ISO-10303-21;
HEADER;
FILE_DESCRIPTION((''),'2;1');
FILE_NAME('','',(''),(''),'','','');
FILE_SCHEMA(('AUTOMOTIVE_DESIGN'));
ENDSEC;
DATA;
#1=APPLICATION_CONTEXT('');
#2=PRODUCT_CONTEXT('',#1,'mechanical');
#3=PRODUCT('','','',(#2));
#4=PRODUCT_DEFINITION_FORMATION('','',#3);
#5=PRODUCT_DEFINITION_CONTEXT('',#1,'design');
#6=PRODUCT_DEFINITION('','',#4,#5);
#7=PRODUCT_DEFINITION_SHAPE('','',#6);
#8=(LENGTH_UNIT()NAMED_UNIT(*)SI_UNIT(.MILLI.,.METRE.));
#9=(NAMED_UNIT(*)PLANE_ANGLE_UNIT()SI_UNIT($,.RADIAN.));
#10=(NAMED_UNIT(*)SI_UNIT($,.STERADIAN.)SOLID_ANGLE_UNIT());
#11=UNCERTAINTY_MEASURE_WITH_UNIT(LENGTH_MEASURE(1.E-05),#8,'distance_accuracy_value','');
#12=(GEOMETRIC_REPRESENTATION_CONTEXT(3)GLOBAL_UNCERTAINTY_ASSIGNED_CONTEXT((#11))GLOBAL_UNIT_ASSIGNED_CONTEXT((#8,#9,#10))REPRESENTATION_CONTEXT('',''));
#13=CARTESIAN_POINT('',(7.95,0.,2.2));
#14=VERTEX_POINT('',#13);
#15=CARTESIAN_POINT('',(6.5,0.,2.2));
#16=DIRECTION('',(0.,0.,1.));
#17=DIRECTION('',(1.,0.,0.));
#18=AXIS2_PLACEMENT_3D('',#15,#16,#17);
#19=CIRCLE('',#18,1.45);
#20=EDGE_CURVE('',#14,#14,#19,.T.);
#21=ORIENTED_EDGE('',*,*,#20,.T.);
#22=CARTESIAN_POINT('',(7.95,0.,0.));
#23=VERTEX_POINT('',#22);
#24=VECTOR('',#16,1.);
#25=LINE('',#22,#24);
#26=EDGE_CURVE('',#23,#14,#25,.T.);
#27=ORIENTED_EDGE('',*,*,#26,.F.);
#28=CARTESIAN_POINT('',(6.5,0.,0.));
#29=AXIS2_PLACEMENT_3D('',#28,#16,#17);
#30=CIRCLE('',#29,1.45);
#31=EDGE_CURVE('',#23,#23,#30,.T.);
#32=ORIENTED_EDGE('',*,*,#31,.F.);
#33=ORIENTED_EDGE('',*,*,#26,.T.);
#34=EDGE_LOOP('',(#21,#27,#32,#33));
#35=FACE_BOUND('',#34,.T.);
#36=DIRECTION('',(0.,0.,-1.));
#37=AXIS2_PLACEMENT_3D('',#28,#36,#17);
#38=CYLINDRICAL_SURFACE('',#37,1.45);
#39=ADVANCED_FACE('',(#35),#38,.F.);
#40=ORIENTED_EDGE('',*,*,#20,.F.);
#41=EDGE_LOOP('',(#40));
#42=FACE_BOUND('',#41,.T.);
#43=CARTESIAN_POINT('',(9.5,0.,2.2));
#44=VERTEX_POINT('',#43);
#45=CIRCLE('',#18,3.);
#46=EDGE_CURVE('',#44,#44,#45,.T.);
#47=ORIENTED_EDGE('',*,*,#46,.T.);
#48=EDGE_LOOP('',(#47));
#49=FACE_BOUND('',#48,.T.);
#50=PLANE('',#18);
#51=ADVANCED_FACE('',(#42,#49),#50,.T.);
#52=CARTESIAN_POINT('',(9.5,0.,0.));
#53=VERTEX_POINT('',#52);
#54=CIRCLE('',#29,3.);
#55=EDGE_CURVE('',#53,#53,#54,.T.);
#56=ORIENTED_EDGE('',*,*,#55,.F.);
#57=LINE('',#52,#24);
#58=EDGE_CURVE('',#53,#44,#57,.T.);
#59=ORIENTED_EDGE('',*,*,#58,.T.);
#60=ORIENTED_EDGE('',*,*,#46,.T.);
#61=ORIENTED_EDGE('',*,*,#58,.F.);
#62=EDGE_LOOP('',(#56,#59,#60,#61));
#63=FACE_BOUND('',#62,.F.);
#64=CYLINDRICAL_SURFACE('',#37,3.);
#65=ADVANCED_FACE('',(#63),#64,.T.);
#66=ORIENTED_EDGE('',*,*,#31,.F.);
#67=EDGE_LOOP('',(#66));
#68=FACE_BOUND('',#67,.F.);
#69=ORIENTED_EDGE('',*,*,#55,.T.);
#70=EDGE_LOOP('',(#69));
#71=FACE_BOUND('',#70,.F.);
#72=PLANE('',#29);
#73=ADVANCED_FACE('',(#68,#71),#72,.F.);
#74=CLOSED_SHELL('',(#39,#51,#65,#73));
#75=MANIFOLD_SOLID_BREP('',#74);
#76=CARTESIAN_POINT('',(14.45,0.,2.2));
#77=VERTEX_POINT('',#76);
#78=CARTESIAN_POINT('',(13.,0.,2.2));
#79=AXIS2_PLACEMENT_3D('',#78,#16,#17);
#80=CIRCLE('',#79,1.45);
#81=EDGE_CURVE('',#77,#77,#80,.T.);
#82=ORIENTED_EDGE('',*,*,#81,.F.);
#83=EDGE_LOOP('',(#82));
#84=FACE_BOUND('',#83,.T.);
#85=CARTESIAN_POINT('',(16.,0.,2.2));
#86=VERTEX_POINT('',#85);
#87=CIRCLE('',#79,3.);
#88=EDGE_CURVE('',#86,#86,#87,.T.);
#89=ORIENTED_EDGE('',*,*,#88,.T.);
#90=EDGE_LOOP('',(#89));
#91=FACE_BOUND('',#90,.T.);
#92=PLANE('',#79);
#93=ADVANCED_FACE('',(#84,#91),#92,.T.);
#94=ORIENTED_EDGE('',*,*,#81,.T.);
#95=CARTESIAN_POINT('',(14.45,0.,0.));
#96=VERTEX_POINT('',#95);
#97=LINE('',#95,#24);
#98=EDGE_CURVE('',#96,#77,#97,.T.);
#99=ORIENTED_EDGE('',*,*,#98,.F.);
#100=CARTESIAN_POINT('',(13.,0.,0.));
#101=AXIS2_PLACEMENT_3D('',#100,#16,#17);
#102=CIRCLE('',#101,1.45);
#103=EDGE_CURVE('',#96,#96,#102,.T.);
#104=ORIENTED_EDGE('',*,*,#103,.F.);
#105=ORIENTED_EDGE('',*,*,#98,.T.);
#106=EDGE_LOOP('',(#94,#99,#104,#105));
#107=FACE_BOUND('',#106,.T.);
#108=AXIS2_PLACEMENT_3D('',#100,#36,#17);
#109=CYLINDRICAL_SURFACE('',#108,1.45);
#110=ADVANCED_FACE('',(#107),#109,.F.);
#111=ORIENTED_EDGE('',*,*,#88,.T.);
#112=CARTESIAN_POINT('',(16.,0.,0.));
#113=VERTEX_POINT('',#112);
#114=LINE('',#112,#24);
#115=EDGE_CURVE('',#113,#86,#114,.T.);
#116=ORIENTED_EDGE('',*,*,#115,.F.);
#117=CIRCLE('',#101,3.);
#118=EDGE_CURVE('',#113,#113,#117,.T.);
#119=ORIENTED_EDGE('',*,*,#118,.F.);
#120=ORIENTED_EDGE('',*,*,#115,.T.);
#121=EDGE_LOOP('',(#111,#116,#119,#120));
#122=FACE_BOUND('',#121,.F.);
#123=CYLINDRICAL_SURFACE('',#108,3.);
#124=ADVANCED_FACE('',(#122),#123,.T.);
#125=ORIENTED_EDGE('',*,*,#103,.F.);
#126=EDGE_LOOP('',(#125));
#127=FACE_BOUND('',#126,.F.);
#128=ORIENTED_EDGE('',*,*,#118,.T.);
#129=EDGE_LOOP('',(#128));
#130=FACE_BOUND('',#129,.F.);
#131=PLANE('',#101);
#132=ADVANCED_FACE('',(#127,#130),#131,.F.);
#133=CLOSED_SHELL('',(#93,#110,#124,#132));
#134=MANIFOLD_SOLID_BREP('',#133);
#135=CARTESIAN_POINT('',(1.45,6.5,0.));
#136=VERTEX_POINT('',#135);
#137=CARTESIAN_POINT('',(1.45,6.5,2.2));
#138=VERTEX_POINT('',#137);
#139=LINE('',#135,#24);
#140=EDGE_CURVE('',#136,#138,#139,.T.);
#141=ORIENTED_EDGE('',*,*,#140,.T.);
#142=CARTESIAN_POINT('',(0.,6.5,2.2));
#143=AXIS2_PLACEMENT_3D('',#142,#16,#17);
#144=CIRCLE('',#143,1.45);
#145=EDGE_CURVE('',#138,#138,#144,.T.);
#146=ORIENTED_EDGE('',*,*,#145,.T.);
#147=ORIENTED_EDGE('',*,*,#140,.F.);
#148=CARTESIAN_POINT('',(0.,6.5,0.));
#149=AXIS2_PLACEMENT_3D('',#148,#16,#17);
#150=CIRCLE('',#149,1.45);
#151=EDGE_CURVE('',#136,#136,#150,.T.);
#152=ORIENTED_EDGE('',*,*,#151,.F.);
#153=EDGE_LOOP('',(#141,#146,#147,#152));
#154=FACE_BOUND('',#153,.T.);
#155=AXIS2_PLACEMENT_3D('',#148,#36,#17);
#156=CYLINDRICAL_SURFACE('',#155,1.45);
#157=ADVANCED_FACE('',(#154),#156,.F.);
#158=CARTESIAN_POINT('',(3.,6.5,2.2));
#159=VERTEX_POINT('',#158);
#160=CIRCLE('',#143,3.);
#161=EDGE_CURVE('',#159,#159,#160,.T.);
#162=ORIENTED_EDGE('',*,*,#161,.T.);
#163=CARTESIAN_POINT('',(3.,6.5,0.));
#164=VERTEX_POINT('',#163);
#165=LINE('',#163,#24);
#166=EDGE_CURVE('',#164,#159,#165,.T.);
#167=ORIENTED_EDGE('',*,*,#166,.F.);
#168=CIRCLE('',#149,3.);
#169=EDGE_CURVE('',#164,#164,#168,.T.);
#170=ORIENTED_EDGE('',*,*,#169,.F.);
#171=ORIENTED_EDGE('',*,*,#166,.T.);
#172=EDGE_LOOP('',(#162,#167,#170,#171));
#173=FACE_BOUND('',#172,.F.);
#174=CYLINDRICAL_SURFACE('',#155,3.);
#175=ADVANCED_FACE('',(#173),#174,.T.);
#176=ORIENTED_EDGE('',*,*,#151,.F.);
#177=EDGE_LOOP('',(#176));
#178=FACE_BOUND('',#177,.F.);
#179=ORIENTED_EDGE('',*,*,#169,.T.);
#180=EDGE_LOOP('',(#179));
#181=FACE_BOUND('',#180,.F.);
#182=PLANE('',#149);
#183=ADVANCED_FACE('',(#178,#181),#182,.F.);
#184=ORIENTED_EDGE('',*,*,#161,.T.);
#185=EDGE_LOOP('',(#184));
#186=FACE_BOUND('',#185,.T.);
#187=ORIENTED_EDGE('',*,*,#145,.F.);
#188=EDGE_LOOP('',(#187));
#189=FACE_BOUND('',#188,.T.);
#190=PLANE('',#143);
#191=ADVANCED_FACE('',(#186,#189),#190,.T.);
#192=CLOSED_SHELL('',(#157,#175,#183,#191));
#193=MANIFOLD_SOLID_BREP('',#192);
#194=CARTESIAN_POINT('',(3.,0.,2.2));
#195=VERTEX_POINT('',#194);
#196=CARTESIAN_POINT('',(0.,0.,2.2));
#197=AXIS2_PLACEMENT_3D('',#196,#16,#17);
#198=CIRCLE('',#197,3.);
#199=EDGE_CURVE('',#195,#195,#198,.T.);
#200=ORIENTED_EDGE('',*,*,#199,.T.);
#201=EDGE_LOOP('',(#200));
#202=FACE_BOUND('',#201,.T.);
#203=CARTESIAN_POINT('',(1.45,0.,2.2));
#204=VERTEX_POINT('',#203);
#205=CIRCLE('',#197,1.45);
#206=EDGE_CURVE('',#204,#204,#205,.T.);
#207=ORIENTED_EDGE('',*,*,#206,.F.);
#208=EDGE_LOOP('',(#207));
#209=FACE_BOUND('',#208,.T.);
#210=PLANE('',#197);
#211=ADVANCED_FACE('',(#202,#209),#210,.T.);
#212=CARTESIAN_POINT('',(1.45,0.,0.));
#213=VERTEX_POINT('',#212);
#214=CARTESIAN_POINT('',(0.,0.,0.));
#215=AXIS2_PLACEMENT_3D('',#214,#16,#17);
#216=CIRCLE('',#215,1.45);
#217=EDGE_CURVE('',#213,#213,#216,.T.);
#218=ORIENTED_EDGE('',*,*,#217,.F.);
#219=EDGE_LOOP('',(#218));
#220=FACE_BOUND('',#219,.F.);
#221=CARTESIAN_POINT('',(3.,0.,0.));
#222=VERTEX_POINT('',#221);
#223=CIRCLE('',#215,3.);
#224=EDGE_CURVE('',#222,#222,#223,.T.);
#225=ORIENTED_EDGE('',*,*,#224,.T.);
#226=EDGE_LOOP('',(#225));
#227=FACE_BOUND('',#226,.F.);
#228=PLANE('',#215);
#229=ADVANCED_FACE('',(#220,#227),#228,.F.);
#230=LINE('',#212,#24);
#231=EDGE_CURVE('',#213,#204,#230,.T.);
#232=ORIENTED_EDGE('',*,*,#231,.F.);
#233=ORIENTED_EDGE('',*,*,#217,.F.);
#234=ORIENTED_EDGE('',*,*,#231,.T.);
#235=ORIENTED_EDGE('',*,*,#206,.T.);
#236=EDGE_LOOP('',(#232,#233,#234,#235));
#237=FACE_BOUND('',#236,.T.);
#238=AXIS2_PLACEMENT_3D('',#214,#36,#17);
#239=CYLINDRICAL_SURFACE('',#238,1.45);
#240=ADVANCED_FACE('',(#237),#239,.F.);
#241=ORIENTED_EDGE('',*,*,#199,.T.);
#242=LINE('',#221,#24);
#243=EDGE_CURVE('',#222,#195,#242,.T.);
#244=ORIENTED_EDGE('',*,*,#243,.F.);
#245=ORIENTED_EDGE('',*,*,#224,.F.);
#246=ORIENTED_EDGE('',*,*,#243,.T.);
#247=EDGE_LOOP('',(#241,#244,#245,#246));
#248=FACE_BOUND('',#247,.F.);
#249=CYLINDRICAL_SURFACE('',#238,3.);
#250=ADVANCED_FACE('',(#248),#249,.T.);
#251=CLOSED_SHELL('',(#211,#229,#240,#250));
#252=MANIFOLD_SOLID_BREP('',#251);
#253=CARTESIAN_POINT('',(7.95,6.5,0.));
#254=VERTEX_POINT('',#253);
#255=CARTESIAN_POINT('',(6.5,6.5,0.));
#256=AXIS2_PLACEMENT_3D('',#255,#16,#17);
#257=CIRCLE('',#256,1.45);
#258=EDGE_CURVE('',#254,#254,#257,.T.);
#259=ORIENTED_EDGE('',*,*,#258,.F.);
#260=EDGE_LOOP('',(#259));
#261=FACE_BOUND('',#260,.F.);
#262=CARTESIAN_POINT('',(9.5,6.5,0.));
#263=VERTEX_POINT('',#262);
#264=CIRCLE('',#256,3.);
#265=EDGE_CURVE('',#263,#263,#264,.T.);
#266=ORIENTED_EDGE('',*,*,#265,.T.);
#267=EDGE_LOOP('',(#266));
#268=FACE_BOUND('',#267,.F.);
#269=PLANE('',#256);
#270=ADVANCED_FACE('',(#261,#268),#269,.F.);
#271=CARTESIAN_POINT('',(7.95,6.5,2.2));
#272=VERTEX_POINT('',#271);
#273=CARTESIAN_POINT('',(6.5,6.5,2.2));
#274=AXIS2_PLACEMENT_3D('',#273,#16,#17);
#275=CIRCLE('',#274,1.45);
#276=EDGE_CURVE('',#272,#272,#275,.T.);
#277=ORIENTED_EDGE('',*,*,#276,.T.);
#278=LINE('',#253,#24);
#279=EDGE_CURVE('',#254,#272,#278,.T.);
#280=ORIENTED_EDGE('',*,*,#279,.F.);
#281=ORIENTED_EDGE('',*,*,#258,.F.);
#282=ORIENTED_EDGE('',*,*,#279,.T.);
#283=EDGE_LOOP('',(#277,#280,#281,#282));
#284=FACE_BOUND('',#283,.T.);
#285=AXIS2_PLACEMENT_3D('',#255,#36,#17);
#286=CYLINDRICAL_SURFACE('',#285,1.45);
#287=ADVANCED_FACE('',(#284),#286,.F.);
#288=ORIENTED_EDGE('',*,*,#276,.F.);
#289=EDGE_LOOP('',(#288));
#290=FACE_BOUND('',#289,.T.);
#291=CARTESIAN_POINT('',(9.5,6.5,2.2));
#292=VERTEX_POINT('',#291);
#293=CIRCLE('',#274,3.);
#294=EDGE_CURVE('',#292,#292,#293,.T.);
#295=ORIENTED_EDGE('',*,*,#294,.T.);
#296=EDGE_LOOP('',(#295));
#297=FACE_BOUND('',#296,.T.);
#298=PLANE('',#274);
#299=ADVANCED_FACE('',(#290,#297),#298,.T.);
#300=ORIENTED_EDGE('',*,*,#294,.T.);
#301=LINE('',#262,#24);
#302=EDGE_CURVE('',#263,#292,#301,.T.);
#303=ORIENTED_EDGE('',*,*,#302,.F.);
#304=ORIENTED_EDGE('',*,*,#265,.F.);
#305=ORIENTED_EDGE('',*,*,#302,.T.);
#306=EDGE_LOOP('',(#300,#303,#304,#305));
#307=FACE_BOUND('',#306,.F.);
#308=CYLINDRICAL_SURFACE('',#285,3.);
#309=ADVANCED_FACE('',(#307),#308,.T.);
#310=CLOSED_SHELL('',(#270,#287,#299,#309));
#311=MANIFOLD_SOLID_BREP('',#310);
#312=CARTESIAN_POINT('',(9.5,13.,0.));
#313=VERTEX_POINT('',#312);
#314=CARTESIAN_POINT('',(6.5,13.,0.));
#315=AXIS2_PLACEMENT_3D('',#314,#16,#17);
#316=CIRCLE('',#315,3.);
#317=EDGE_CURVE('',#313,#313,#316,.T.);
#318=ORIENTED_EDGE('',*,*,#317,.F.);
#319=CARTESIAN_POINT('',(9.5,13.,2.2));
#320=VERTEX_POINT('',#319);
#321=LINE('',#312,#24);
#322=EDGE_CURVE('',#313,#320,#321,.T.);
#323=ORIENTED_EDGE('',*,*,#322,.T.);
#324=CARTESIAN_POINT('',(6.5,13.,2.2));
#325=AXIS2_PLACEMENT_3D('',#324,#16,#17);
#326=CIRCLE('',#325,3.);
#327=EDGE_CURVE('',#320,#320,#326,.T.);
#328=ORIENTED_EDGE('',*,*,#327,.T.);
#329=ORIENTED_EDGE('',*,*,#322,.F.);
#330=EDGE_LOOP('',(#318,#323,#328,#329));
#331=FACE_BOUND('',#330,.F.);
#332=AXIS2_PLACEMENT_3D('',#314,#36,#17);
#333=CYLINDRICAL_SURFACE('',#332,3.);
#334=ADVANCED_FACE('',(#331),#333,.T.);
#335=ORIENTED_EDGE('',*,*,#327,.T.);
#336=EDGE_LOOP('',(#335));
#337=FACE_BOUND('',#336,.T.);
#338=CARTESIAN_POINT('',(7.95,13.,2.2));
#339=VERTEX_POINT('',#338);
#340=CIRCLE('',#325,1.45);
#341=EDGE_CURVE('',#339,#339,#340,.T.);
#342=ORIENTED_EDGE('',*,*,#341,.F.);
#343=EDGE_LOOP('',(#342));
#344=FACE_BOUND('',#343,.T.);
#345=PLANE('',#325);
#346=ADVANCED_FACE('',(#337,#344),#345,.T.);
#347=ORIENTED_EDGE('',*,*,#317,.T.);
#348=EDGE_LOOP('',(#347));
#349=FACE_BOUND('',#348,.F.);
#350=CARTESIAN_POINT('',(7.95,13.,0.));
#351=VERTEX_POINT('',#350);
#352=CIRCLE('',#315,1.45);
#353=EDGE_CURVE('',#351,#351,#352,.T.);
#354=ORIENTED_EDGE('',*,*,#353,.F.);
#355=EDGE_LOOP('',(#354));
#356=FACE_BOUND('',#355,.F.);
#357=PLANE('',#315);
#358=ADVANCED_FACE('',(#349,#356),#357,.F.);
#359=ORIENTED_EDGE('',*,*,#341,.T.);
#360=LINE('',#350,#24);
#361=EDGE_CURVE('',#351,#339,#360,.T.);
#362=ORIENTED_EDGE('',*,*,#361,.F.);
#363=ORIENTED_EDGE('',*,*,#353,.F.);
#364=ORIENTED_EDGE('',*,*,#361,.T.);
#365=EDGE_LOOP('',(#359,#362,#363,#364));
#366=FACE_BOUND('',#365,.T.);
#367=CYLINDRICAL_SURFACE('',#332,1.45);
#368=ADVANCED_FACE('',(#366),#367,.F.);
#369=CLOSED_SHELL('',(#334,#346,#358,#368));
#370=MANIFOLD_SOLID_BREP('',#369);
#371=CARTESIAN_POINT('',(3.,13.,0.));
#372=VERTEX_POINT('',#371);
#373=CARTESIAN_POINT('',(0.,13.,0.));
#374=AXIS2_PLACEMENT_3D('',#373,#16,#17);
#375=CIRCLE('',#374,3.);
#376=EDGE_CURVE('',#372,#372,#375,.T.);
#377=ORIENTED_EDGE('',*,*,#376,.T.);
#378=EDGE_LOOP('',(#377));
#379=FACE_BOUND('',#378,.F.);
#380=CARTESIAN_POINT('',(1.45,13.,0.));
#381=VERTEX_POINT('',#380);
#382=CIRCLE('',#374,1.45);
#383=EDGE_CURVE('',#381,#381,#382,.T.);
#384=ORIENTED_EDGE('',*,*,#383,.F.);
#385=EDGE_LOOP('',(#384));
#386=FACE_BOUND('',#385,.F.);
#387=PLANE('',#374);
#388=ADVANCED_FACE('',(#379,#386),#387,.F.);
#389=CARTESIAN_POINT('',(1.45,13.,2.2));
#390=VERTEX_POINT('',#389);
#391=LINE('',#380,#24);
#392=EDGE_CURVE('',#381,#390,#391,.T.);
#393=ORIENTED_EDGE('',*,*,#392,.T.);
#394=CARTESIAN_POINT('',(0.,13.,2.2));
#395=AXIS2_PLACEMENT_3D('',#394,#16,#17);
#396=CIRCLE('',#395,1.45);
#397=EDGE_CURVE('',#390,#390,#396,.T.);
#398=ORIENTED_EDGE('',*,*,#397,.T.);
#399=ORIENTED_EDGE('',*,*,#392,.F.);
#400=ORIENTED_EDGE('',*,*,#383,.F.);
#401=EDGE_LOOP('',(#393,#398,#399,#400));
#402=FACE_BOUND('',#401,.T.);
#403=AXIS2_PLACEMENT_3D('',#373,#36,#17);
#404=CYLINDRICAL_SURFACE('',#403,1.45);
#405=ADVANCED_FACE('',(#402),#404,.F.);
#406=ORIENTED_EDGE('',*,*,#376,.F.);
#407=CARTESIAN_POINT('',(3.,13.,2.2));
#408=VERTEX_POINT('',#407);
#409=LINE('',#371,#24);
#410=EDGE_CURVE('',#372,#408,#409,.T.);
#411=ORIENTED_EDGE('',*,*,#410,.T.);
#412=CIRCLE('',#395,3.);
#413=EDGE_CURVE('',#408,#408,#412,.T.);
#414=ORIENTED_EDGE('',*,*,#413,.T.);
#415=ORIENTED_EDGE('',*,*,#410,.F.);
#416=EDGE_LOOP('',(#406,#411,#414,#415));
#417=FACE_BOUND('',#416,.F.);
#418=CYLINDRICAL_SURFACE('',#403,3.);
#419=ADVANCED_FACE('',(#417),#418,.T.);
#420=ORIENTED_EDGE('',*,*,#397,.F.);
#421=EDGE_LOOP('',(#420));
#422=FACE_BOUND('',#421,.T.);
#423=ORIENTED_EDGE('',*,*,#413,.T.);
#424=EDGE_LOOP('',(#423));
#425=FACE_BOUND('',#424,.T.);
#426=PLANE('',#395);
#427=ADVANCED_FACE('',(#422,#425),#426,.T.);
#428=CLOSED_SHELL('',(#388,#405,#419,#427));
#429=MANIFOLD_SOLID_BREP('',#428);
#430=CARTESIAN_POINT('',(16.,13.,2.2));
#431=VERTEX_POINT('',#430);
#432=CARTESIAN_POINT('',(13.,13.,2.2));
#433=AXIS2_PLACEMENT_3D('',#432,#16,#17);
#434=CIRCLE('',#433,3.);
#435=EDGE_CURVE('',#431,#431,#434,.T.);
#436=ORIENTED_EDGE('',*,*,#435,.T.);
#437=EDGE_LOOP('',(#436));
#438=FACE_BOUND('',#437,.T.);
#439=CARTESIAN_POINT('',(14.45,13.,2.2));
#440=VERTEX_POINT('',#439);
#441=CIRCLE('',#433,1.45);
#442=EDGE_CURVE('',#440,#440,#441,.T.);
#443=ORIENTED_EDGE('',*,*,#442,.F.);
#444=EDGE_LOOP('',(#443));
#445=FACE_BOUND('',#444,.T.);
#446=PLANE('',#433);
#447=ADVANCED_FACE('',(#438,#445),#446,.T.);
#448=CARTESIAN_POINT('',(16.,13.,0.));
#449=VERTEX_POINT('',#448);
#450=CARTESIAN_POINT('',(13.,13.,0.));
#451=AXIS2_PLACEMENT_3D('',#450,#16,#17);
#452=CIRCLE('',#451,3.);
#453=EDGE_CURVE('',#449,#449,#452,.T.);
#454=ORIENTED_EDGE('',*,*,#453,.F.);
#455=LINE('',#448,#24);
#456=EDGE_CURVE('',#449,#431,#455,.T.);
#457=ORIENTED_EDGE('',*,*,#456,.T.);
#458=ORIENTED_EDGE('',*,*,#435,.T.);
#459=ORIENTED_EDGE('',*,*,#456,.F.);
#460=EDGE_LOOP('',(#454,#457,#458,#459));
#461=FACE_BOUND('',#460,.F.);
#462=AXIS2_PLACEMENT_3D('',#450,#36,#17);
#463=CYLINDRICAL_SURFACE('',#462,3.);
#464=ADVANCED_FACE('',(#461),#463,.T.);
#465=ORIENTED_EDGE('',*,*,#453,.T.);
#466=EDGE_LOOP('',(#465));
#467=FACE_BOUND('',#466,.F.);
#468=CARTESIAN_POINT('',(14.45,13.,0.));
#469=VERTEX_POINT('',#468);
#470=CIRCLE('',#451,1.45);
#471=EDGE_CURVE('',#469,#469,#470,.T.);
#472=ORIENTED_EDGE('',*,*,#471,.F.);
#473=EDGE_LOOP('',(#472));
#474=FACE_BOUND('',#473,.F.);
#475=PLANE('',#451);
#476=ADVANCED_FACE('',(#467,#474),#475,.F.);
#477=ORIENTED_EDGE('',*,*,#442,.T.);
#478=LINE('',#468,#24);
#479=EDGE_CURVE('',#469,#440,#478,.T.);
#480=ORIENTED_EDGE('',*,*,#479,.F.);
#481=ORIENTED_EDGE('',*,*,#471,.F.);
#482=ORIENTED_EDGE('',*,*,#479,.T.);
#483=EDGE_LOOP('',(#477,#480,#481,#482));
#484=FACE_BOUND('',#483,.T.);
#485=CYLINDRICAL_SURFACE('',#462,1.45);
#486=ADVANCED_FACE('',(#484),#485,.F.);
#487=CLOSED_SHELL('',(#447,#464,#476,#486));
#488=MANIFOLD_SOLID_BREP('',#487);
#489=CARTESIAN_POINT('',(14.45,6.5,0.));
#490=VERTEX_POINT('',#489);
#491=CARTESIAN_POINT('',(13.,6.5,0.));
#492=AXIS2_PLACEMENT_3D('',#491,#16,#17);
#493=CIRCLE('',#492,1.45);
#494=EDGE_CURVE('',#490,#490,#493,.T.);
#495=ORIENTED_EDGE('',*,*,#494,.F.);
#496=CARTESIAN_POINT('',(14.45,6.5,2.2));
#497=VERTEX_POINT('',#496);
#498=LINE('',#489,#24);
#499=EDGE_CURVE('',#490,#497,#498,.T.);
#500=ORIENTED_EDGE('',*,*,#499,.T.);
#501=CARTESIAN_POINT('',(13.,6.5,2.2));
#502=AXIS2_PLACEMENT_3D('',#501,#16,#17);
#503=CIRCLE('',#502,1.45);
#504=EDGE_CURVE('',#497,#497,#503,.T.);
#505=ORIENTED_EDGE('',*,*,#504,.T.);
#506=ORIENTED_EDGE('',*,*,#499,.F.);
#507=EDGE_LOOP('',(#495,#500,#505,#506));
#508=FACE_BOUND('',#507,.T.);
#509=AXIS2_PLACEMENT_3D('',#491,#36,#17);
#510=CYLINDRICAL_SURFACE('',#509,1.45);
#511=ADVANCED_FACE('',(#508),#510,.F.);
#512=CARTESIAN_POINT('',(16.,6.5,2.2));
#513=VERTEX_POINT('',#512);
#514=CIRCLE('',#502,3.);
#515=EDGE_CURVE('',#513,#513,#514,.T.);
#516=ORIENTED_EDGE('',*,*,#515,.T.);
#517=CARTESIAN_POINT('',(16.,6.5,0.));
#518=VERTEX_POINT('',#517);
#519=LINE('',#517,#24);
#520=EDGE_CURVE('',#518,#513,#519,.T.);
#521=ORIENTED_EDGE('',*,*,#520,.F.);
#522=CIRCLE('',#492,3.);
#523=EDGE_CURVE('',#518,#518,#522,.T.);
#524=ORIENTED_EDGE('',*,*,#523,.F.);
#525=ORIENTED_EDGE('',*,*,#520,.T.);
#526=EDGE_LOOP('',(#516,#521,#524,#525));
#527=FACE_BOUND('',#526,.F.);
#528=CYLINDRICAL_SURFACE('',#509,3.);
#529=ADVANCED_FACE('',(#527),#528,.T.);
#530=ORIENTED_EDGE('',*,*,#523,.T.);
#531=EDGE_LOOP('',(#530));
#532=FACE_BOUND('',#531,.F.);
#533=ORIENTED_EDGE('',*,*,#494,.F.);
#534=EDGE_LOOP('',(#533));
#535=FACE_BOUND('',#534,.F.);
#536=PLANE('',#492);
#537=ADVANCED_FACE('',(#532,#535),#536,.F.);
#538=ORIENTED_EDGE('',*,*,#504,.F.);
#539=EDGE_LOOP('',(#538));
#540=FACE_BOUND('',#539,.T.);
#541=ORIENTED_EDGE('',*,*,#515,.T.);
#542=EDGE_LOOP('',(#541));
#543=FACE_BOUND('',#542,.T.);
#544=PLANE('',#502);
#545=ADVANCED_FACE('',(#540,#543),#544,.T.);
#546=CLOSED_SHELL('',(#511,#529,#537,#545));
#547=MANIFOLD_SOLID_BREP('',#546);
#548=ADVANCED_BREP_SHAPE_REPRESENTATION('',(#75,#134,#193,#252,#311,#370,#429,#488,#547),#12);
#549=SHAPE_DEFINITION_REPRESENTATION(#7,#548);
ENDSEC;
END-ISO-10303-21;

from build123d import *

# Parameters (mm, degrees)
F0_R     = 3
F0_R_2   = 1.45
F1_DEPTH = 2.2


with BuildPart() as f1:
    # F0 (on Top) → F1 (new body)
    with BuildSketch(Plane.XY):
        with Locations((13, 13)):
            Circle(F0_R)
        with Locations((13, 13)):
            Circle(F0_R_2, mode=Mode.SUBTRACT)
        with Locations((6.5, 13)):
            Circle(F0_R)
        with Locations((6.5, 13)):
            Circle(F0_R_2, mode=Mode.SUBTRACT)
        with Locations((0, 13)):
            Circle(F0_R)
        with Locations((0, 13)):
            Circle(F0_R_2, mode=Mode.SUBTRACT)
        with Locations((0, 6.5)):
            Circle(F0_R)
        with Locations((0, 6.5)):
            Circle(F0_R_2, mode=Mode.SUBTRACT)
        with Locations((6.5, 6.5)):
            Circle(F0_R)
        with Locations((6.5, 6.5)):
            Circle(F0_R_2, mode=Mode.SUBTRACT)
        with Locations((13, 6.5)):
            Circle(F0_R)
        with Locations((13, 6.5)):
            Circle(F0_R_2, mode=Mode.SUBTRACT)
        with Locations((13, 0)):
            Circle(F0_R)
        with Locations((13, 0)):
            Circle(F0_R_2, mode=Mode.SUBTRACT)
        with Locations((6.5, 0)):
            Circle(F0_R)
        with Locations((6.5, 0)):
            Circle(F0_R_2, mode=Mode.SUBTRACT)
        Circle(F0_R)
        Circle(F0_R_2, mode=Mode.SUBTRACT)
    extrude(amount=F1_DEPTH)


solid = f1.part
